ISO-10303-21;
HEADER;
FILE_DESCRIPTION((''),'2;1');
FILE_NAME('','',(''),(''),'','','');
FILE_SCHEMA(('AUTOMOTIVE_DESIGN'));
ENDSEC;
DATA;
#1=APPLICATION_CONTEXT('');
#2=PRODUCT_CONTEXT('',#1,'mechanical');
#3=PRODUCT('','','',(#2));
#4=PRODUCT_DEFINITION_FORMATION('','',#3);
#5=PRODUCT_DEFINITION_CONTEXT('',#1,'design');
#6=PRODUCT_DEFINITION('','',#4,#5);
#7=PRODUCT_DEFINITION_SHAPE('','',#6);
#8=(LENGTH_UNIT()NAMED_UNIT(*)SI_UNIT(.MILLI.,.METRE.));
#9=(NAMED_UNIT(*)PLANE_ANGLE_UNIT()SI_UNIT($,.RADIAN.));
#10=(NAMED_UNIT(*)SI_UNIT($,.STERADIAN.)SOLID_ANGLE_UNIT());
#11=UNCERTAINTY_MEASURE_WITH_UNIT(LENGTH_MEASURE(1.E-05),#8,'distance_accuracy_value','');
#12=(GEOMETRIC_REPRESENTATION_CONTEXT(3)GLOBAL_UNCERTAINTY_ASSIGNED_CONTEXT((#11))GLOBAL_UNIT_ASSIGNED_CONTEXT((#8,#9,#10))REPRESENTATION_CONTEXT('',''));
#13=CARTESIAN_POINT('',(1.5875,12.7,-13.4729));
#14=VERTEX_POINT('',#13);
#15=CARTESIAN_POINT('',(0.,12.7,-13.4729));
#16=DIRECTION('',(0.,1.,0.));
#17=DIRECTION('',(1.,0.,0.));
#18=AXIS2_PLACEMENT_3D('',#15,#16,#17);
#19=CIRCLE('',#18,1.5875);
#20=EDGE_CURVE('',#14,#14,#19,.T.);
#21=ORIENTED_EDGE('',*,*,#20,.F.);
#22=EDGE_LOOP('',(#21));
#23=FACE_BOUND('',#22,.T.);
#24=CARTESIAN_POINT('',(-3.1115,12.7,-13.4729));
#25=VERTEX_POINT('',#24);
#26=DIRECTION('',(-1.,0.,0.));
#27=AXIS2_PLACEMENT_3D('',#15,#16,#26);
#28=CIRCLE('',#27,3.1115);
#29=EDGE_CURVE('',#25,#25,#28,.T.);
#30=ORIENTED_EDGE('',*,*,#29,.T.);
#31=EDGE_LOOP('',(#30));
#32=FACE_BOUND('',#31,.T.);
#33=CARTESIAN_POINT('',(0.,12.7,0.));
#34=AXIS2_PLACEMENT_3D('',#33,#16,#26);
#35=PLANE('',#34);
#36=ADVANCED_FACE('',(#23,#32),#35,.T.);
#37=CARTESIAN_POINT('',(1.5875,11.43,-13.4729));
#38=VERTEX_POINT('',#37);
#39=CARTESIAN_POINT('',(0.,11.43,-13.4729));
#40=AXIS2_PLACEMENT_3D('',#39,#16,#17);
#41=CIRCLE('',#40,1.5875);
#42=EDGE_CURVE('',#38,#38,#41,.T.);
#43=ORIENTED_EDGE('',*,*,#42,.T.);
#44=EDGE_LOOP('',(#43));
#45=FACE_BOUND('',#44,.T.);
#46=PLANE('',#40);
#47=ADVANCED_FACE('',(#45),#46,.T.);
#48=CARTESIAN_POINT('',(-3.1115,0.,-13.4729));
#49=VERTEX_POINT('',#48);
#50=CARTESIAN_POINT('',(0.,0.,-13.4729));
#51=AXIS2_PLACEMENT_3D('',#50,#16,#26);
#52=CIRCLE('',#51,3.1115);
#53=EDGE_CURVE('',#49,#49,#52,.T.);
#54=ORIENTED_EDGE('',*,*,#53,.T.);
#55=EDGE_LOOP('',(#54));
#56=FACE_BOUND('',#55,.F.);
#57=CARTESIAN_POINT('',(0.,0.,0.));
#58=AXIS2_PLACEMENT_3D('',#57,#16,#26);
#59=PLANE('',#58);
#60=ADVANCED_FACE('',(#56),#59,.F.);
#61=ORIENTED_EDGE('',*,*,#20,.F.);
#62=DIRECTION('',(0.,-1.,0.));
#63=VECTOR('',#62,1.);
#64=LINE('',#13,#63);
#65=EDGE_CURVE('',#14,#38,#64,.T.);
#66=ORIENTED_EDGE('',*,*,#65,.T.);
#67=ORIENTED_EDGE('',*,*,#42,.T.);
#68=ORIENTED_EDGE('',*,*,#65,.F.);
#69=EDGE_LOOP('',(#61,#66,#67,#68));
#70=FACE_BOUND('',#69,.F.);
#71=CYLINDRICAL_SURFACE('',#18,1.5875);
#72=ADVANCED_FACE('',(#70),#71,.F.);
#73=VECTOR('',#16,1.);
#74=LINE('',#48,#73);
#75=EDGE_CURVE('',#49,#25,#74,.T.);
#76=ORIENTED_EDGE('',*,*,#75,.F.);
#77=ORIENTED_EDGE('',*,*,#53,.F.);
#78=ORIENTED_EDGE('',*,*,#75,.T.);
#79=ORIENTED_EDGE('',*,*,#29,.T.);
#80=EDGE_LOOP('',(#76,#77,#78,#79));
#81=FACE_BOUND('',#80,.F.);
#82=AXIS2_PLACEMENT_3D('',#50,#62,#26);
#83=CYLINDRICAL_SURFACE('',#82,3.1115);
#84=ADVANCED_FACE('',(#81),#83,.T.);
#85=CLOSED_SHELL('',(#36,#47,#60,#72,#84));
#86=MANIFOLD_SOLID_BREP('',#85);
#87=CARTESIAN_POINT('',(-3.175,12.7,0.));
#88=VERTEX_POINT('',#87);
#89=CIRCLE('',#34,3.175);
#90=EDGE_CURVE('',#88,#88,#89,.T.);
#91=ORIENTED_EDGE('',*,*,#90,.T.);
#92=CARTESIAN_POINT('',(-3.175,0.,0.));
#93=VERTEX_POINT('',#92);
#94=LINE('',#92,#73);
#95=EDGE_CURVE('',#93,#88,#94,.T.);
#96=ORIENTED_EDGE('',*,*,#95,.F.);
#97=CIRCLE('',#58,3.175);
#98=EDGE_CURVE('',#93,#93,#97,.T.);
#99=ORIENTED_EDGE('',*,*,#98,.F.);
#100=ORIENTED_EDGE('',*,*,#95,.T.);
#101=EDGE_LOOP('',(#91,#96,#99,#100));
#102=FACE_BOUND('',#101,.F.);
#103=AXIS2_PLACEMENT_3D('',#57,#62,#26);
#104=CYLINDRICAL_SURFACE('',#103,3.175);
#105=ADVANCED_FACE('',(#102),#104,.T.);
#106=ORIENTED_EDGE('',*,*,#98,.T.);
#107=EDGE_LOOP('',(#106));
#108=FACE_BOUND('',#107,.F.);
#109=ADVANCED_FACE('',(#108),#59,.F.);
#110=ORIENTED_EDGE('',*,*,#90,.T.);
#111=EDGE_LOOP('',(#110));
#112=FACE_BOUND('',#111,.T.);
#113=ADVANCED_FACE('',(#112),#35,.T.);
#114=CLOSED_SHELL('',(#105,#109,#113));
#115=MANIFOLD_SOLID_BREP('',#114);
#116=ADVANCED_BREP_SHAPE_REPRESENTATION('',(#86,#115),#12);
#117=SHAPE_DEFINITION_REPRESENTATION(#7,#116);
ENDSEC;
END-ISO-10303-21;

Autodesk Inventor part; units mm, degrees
ref_plane "YZ Plane" through (0, 0, 0) normal (1, 0, 0) x (0, 1, 0)
ref_plane "XZ Plane" through (0, 0, 0) normal (0, 1, 0) x (-1, 0, 0)
ref_plane "XY Plane" through (0, 0, 0) normal (0, 0, 1) x (1, 0, 0)
sketch "Sketch1" plane through (0, 0, 0) normal (0, 1, 0) x (-1, 0, 0)
  circle A0 centre (0, 0) radius 3.175
  circle A1 centre (0, -13.4729) radius 3.1115
  dimension "d0" = 6.35
  dimension "d1" = 6.223
extrude "Extrusion1" add sketch "Sketch1" along normal blind 12.7
sketch "Sketch2" plane through (0, 12.7, -13.4729) normal (0, 1, 0) x (1, 0, 0)
  circle A0 centre (0, 0) radius 1.5875
  point P0 (0, -13.4729)
extrude "Extrusion2" cut sketch "Sketch2" against normal blind 1.27
properties part number "shaft test cad"
